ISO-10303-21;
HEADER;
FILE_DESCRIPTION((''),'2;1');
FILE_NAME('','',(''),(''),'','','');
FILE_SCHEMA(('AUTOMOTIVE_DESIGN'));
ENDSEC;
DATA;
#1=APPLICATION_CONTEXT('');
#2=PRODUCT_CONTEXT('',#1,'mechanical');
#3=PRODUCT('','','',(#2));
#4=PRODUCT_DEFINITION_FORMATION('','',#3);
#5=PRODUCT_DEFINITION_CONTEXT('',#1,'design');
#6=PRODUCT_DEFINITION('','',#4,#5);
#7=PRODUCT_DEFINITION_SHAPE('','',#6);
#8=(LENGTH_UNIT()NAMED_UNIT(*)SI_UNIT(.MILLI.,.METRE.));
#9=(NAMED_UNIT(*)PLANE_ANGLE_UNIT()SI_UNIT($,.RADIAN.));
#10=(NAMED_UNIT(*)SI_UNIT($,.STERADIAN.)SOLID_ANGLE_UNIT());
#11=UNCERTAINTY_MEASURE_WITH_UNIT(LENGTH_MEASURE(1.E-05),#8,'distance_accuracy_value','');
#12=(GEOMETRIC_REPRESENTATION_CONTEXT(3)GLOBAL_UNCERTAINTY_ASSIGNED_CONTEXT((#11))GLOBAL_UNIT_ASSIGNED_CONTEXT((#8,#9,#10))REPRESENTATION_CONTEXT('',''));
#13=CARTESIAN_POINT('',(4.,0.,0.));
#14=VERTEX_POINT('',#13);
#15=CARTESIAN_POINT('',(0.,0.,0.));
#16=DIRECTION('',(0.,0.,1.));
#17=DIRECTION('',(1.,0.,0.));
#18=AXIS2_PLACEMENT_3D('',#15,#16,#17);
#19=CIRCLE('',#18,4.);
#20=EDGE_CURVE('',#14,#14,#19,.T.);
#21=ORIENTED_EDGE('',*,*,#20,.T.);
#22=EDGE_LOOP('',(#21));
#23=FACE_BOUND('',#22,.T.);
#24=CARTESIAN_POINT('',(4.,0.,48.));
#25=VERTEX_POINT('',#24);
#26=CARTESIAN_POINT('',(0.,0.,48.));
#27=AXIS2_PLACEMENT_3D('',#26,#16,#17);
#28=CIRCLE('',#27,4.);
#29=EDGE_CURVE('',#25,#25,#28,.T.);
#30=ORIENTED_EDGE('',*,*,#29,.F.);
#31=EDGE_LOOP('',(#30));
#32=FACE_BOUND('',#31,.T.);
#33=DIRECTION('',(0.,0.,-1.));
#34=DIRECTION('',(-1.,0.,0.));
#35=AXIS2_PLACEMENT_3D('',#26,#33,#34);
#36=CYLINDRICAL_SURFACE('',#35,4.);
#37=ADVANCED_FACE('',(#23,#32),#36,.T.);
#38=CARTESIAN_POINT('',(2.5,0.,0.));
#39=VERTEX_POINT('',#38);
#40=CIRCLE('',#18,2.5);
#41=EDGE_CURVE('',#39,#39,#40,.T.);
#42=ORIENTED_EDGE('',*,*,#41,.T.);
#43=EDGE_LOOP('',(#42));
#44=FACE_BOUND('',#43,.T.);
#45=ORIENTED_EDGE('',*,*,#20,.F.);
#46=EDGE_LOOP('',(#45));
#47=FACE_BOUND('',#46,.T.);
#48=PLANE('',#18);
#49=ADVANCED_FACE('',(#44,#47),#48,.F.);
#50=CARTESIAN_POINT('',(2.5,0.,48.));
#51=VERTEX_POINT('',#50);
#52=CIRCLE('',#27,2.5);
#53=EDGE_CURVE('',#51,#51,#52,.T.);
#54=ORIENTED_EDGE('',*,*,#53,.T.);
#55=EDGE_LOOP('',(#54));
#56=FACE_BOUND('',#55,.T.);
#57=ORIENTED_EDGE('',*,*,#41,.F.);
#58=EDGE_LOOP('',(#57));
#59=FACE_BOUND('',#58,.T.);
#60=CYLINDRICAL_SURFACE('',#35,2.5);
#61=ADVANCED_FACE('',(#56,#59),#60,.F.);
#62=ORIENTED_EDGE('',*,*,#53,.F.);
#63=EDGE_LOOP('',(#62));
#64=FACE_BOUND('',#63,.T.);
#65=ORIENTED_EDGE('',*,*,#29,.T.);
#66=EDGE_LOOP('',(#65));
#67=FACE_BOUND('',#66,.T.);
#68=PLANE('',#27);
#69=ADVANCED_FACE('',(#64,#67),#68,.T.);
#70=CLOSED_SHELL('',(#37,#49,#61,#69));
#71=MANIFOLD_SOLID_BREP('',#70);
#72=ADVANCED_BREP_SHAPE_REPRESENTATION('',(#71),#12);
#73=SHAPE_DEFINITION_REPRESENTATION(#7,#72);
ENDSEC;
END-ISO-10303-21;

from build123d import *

# Parameters (mm, degrees)
SKETCH_1_R      = 4
SKETCH_1_R_2    = 2.5
EXTRUDE_1_DEPTH = 48


with BuildPart() as part:
    # 草图1 → 凸台-拉伸1 (new body)
    with BuildSketch(Plane.XY):
        Circle(SKETCH_1_R)
        Circle(SKETCH_1_R_2, mode=Mode.SUBTRACT)
    extrude(amount=EXTRUDE_1_DEPTH)


solid = part.part
